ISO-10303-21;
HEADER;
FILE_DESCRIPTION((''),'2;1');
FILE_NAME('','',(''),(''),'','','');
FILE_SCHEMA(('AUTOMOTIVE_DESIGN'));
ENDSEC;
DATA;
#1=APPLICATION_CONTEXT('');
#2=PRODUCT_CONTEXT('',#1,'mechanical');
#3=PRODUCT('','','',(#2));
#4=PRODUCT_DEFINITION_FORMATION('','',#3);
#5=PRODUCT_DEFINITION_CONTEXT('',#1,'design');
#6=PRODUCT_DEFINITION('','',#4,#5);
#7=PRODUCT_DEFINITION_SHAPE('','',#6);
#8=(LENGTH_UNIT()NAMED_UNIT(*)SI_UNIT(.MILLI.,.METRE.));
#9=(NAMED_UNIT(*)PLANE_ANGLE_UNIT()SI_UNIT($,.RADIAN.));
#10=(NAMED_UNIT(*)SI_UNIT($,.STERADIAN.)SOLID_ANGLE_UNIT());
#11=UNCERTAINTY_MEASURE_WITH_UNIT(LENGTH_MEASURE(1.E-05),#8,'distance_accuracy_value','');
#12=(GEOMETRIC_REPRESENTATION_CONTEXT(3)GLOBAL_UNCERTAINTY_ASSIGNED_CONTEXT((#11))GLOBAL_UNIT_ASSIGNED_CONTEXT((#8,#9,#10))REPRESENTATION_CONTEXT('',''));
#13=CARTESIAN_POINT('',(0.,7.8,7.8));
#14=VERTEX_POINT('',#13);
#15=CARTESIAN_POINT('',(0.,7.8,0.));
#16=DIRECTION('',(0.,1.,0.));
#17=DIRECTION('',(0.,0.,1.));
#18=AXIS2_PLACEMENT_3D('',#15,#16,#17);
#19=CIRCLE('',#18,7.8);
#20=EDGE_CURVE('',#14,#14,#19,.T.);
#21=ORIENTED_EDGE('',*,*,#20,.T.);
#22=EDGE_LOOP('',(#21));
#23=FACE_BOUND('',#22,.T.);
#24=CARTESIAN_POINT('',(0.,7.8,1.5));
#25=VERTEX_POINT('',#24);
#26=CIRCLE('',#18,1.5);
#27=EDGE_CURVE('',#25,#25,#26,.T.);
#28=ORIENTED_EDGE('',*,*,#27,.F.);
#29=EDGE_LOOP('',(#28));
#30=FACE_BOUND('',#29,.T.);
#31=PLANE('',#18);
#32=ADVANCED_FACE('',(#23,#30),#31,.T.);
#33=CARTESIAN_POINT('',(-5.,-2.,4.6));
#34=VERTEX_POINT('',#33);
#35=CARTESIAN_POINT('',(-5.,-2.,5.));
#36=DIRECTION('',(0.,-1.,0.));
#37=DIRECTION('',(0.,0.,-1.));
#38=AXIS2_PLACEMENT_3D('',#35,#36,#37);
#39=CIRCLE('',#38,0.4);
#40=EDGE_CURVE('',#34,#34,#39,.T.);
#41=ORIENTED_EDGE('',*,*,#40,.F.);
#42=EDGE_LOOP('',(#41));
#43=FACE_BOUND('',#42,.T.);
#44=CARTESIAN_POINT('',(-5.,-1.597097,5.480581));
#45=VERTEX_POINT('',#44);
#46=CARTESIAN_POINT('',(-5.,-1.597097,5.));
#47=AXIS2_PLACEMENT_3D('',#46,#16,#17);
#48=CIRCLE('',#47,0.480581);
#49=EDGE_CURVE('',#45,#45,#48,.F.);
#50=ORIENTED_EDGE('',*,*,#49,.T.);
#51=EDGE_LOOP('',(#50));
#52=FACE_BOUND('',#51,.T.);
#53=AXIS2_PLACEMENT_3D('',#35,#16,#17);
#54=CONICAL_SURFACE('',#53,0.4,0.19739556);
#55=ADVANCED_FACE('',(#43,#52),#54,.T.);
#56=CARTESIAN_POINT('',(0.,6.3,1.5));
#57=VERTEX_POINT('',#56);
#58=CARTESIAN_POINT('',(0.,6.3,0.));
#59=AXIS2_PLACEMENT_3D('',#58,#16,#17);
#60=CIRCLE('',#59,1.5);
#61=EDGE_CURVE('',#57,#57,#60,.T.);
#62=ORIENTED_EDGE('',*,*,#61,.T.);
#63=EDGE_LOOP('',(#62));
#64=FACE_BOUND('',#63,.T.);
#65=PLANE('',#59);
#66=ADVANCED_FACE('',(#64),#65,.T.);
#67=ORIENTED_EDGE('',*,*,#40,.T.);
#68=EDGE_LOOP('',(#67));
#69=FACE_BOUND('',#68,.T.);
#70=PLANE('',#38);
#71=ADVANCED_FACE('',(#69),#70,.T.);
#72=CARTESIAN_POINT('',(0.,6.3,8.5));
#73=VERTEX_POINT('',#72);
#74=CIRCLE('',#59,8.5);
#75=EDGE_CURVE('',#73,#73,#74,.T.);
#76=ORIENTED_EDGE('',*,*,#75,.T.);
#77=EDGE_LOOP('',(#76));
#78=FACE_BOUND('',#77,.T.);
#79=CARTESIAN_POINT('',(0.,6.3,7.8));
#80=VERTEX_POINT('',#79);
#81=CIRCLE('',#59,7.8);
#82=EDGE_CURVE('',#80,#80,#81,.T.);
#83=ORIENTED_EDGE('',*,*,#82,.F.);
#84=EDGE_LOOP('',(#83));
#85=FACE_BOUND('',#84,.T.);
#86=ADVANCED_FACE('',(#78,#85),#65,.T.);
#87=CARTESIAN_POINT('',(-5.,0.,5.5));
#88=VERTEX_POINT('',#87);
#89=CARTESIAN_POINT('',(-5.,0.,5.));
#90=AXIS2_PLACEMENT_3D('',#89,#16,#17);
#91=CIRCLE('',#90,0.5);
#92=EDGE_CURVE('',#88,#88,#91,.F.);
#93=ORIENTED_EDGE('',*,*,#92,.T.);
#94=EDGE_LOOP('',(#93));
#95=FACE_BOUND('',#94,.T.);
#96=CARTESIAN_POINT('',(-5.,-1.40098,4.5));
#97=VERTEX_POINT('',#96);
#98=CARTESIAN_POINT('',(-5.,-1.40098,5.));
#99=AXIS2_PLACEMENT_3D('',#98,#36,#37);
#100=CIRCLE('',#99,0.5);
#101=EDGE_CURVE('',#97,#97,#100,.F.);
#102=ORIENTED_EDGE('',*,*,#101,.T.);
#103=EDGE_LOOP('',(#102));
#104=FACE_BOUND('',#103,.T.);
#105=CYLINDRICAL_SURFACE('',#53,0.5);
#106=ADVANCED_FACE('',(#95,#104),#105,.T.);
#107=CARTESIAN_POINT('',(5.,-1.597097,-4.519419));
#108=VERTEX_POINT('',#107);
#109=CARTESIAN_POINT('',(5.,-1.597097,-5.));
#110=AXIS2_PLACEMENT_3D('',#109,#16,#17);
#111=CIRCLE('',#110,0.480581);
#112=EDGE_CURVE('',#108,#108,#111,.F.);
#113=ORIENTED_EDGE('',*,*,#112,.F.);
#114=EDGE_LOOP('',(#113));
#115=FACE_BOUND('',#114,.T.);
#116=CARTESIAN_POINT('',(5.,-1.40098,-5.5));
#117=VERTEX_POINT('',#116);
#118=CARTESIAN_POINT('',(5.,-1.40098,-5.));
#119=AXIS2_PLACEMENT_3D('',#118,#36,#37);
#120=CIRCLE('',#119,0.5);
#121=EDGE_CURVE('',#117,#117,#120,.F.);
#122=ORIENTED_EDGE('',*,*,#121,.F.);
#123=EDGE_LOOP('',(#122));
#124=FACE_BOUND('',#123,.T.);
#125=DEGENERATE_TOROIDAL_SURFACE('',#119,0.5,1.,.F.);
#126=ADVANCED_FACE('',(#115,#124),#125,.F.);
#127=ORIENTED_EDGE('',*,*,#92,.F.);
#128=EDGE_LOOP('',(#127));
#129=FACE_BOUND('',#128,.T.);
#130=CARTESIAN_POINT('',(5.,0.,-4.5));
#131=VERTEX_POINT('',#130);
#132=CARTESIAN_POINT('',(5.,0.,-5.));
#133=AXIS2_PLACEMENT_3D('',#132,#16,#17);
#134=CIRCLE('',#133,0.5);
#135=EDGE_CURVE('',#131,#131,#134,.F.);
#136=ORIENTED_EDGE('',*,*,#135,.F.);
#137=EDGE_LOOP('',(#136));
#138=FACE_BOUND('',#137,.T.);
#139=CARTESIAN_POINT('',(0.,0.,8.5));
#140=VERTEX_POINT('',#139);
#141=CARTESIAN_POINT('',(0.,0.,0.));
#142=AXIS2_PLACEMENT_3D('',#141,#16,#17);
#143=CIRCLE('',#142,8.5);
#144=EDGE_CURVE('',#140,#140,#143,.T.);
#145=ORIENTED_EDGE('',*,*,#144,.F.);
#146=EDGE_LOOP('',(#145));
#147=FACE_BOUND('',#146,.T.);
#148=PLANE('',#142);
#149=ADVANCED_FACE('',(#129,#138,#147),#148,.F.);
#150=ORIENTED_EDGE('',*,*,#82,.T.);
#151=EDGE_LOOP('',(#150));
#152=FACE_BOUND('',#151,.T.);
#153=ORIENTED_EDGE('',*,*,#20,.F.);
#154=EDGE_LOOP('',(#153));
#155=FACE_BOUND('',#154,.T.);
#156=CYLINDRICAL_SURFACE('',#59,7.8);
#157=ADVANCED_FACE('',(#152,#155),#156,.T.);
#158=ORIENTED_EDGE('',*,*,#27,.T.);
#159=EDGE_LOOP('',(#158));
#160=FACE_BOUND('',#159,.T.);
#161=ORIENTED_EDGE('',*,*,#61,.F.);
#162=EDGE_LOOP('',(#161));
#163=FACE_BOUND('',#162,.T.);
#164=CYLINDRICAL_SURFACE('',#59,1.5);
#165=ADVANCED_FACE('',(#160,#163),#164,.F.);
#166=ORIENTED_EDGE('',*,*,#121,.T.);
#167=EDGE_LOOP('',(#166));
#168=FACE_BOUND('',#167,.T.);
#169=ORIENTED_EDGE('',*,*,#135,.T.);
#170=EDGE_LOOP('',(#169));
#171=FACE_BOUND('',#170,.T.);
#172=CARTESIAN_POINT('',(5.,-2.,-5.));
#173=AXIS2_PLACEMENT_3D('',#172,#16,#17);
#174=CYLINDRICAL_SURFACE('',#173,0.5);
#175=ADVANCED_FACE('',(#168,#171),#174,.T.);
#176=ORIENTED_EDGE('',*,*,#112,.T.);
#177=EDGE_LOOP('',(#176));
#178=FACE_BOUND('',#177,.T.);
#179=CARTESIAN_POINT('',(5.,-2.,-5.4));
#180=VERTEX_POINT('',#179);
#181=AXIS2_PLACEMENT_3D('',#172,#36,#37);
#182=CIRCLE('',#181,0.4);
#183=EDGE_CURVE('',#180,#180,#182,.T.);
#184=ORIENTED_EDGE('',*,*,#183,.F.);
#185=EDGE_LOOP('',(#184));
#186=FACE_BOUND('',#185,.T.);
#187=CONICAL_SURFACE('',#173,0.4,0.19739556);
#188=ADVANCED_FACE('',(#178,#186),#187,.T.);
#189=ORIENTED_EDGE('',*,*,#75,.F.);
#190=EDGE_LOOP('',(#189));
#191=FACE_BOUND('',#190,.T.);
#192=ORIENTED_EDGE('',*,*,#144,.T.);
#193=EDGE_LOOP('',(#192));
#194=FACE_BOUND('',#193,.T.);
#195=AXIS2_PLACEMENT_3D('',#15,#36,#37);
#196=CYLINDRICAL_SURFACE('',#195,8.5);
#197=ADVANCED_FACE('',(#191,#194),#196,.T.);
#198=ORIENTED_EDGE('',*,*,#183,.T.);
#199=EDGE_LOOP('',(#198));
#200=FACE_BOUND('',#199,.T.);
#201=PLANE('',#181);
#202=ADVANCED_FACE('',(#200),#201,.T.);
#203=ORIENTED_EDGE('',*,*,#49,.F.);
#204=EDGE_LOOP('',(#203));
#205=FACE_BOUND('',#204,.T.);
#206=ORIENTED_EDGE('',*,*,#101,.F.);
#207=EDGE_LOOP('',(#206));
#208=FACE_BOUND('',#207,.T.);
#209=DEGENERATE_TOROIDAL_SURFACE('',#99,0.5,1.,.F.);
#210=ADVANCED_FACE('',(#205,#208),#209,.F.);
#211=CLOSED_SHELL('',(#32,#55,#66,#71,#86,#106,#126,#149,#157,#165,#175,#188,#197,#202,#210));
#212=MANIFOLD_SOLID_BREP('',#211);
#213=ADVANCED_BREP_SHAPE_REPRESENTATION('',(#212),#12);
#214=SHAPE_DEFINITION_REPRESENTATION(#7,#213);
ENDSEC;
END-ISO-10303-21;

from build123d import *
from OCP.BRepFilletAPI import BRepFilletAPI_MakeChamfer

# Parameters (mm, degrees)
SKETCH1_R           = 8.5
BOSS_EXTRUDE1_DEPTH = 7.8
SKETCH2_R           = 8.5
SKETCH2_R_2         = 7.8
SKETCH2_R_3         = 1.5
CUT_EXTRUDE1_DEPTH  = 1.5
SKETCH3_R           = 0.5
BOSS_EXTRUDE2_DEPTH = 2
CHAMFER1_SIZE       = 0.5
CHAMFER1_SIZE2      = 0.1
FILLET1_R           = 1


with BuildPart() as part:
    # Sketch1 → Boss-Extrude1 (new body)
    with BuildSketch(Plane(origin=(0, 0, 0), x_dir=(1, 0, 0), z_dir=(0, 1, 0))):
        with Locations(Location((0, 0, 0), (0, 0, 270))):
            Circle(SKETCH1_R)
    extrude(amount=BOSS_EXTRUDE1_DEPTH)

    # Sketch2 → Cut-Extrude1 (cut)
    with BuildSketch(Plane(origin=(0, 7.8, 0), x_dir=(1, 0, 0), z_dir=(0, 1, 0))):
        with Locations(Location((0, 0, 0), (0, 0, 270))):
            Circle(SKETCH2_R)
        with Locations(Location((0, 0, 0), (0, 0, 270))):
            Circle(SKETCH2_R_2, mode=Mode.SUBTRACT)
        with Locations(Location((0, 0, 0), (0, 0, 270))):
            Circle(SKETCH2_R_3)
    extrude(amount=-CUT_EXTRUDE1_DEPTH, mode=Mode.SUBTRACT)

    # Sketch3 → Boss-Extrude2 (add)
    with BuildSketch(Plane.XZ):
        with Locations(Location((-5, 5, 0), (0, 0, 90))):
            Circle(SKETCH3_R)
        with Locations(Location((5, -5, 0), (0, 0, 90))):
            Circle(SKETCH3_R)
    extrude(amount=BOSS_EXTRUDE2_DEPTH)

    # Chamfer1: one chamfer whose edges measure the first distance from different faces: ONE call of the kernel's chamfer builder (chamfer() names one face for all edges)
    chamfer1_edges_1 = [part.edges().sort_by_distance(p)[0] for p in [
        (-5, -2, 4.5),
    ]]
    chamfer1_side_1 = [part.faces().sort_by_distance(p)[0] for p in [
        (-5, -1, 4.5),
    ]]
    chamfer1_edges_2 = [part.edges().sort_by_distance(p)[0] for p in [
        (5, -2, -5.5),
    ]]
    chamfer1_side_2 = [part.faces().sort_by_distance(p)[0] for p in [
        (5, -1, -5.5),
    ]]
    chamfer1 = BRepFilletAPI_MakeChamfer(part.part.solid().wrapped)
    for e in chamfer1_edges_1:
        chamfer1.Add(CHAMFER1_SIZE, CHAMFER1_SIZE2, e.wrapped, chamfer1_side_1[0].wrapped)  # the first distance lies on this face
    for e in chamfer1_edges_2:
        chamfer1.Add(CHAMFER1_SIZE, CHAMFER1_SIZE2, e.wrapped, chamfer1_side_2[0].wrapped)  # the first distance lies on this face
    add(Compound.cast(chamfer1.Shape()), mode=Mode.REPLACE)

    # Fillet1
    fillet1_edges = [part.edges().sort_by_distance(p)[0] for p in [
        (-5, -1.5, 4.5),
        (5, -1.5, -5.5),
    ]]
    fillet(fillet1_edges, radius=FILLET1_R)


solid = part.part
